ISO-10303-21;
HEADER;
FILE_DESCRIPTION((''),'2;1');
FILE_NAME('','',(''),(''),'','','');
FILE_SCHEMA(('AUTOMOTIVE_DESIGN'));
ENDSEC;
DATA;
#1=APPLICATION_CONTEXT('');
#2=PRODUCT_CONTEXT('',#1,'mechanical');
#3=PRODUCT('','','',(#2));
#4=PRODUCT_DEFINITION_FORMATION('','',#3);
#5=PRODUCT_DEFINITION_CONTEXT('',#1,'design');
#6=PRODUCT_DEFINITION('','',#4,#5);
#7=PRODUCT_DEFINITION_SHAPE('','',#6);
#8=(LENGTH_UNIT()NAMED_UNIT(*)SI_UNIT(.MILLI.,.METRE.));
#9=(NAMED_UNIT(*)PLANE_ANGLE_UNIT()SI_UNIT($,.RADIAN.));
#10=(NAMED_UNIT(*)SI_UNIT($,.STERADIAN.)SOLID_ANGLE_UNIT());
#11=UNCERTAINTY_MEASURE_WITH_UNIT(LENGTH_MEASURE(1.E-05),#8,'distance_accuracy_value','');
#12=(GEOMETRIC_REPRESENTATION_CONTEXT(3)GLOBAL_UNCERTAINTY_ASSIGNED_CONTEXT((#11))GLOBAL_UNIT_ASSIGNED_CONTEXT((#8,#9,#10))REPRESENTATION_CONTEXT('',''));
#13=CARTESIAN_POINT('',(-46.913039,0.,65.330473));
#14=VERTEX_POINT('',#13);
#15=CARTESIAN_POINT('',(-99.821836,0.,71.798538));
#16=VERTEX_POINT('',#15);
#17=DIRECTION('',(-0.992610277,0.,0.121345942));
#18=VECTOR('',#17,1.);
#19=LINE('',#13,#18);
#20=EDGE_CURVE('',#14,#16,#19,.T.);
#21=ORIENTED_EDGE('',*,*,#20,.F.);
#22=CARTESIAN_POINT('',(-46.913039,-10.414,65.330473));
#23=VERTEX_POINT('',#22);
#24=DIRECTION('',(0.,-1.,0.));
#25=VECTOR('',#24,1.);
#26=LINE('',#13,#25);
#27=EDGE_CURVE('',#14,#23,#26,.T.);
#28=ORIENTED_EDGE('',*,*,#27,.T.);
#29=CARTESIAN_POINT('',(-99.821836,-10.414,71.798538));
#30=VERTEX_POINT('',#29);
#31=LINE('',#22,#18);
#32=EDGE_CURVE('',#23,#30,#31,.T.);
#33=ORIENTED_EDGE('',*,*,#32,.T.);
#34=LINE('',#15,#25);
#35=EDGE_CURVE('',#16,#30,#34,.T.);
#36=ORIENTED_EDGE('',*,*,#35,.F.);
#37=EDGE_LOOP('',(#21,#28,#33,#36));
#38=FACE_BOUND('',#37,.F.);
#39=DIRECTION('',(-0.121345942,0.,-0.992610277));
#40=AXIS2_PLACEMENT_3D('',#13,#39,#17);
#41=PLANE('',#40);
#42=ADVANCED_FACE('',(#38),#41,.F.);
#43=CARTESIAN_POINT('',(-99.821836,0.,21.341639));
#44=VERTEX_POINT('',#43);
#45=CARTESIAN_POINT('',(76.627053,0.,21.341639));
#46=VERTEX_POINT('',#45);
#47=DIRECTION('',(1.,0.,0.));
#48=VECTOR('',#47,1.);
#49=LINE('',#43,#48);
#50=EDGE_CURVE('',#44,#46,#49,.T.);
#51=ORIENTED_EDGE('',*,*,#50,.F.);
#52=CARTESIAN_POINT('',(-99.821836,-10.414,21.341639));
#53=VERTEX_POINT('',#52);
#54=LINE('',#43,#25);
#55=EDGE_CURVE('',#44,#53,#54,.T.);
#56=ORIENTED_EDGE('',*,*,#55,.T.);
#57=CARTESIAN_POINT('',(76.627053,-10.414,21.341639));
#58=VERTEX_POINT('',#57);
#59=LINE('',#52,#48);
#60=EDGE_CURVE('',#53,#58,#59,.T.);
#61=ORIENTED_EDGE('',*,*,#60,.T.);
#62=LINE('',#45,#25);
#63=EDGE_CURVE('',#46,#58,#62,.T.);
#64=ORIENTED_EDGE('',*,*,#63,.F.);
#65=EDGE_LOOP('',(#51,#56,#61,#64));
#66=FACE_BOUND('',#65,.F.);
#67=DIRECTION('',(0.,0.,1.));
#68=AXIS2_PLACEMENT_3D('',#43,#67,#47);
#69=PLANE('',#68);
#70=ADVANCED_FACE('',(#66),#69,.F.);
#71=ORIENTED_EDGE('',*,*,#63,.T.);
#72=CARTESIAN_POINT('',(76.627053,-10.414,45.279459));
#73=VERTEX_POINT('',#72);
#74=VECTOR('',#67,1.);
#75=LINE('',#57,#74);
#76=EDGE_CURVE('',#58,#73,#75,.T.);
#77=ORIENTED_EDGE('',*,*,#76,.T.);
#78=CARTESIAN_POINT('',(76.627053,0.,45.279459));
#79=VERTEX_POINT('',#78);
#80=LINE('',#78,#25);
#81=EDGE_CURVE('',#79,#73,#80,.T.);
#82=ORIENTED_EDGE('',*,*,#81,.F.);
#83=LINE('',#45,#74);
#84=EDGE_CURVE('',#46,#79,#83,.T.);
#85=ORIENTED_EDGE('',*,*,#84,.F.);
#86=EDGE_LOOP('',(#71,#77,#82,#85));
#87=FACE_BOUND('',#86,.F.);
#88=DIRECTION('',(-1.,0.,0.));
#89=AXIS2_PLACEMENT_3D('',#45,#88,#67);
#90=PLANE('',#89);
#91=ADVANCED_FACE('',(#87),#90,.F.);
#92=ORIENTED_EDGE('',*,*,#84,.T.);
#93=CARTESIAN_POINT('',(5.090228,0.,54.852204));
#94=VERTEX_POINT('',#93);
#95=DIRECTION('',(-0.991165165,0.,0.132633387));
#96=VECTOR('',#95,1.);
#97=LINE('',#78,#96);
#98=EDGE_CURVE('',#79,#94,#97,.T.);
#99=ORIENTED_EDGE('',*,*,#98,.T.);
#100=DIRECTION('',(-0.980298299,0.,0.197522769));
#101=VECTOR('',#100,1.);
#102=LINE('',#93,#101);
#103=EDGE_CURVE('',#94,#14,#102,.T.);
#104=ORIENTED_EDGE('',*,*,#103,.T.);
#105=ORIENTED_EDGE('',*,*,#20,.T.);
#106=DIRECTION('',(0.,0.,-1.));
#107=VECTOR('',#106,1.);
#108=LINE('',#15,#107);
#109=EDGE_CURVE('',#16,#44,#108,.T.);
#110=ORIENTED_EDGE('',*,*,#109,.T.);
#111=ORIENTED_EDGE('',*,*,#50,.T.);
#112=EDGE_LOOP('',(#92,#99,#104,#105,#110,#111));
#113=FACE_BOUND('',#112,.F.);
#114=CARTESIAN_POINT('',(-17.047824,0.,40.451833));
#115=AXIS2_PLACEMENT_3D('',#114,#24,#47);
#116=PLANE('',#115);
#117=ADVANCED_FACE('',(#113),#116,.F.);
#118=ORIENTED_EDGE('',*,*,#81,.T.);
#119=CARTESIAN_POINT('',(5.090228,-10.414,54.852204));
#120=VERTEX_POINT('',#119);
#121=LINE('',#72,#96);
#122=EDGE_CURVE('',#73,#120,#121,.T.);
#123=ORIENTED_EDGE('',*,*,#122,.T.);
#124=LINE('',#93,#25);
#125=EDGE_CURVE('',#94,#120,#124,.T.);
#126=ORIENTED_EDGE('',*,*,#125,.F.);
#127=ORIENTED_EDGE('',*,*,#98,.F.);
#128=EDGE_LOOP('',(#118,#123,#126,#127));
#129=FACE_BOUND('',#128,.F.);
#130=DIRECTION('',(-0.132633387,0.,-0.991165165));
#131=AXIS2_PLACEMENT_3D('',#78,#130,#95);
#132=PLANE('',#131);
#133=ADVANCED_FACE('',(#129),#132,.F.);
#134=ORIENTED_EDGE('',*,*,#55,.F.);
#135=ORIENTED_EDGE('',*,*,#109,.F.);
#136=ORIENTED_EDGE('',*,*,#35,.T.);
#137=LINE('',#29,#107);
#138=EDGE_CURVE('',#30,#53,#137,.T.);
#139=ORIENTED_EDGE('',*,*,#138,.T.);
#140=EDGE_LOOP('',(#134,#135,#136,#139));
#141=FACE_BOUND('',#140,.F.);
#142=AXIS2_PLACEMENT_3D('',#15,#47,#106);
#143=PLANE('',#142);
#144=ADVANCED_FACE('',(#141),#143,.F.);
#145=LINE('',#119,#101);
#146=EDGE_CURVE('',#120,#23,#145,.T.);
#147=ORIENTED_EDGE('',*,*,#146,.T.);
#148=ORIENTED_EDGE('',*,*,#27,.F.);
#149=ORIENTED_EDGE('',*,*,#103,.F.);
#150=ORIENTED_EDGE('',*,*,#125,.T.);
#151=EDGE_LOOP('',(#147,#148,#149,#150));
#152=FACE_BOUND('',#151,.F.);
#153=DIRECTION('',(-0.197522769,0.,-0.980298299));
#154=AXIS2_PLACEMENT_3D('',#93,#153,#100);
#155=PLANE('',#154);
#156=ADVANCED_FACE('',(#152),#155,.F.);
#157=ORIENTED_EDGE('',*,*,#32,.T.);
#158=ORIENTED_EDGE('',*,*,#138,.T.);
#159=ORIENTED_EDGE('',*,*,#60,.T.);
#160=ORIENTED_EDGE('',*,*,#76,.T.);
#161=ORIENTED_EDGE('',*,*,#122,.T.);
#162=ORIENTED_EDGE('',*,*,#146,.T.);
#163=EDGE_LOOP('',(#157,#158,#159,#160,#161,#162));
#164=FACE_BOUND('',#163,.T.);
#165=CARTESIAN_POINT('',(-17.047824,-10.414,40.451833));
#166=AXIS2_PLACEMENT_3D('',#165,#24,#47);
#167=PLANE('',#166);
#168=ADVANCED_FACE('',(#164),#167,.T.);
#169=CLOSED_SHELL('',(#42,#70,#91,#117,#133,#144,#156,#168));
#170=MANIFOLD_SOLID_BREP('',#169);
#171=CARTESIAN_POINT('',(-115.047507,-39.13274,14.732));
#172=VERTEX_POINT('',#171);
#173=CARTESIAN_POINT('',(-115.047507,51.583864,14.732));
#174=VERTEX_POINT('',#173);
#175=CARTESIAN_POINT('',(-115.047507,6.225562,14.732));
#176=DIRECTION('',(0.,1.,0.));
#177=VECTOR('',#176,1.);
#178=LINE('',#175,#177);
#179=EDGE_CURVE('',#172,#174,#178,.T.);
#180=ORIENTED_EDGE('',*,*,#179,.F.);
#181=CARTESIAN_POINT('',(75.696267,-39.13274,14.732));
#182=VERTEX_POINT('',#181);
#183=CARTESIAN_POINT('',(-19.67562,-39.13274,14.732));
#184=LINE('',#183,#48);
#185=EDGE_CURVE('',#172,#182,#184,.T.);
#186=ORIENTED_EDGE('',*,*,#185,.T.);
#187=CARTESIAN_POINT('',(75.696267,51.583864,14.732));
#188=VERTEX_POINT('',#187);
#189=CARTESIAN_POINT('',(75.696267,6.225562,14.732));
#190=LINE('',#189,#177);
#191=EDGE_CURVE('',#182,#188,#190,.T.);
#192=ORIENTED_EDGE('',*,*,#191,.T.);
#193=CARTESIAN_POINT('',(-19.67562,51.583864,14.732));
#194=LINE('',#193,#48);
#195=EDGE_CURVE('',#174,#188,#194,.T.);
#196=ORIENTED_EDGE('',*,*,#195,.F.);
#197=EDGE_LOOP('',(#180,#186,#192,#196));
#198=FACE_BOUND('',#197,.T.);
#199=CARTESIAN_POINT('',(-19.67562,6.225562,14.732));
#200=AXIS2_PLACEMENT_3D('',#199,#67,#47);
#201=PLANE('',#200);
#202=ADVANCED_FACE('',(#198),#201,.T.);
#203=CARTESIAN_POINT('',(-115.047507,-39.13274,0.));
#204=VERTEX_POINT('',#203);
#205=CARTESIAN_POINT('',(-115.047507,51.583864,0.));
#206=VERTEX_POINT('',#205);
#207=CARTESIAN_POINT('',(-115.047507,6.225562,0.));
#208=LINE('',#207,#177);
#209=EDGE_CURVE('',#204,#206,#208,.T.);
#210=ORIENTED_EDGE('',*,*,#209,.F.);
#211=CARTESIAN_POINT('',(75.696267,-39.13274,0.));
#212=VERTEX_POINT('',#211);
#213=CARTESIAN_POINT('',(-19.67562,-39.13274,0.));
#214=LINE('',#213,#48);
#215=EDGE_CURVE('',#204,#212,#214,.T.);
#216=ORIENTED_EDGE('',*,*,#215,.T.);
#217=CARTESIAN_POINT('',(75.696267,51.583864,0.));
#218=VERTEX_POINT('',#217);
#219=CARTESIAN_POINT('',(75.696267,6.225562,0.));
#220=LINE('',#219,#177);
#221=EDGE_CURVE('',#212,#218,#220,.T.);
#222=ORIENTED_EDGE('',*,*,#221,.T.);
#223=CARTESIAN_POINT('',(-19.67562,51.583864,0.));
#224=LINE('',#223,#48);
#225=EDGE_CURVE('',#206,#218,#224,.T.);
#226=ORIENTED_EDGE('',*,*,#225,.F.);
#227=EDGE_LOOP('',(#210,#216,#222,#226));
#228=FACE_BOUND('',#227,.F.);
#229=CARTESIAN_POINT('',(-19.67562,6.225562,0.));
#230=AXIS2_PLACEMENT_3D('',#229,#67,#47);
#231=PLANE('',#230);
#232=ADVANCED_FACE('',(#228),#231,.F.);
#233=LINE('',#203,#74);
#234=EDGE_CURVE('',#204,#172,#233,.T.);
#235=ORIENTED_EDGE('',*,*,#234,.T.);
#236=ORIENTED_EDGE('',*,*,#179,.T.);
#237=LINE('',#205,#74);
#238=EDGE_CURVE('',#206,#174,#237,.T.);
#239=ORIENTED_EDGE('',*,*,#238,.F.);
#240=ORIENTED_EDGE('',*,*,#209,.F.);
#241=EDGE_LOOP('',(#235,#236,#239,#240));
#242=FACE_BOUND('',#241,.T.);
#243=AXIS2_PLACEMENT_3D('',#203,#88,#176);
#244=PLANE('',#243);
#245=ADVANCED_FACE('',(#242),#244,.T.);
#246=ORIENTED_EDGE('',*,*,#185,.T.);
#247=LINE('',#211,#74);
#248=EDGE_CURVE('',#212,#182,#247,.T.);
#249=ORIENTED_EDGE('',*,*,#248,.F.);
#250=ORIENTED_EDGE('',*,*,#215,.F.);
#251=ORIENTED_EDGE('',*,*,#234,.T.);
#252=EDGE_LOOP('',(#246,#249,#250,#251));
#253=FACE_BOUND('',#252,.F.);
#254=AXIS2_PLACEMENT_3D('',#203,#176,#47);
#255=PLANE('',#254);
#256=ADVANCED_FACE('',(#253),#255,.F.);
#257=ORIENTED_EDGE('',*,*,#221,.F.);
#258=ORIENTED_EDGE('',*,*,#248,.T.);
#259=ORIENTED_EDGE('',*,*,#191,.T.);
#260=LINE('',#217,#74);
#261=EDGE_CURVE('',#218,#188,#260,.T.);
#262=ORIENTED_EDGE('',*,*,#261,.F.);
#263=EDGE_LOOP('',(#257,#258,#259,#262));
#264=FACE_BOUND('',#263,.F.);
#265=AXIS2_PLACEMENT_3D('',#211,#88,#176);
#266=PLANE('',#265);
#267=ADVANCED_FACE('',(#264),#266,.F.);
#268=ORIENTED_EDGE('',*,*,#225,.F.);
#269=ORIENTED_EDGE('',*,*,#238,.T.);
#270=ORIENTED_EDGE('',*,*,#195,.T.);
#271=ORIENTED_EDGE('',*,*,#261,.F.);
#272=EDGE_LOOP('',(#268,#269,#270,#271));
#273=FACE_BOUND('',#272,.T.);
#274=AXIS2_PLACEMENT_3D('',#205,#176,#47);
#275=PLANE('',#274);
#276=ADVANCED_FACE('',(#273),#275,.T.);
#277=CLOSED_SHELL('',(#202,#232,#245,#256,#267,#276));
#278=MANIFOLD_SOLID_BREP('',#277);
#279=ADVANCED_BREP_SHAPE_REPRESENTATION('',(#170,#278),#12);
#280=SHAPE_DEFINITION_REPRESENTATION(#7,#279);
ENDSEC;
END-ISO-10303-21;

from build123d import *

# Parameters (mm, degrees)
F0_W     = 190.743774
F0_H     = 90.716604
F1_DEPTH = 14.732
F3_DEPTH = 10.414


with BuildPart() as f1:
    # F0 (on Top) → F1 (new body)
    with BuildSketch(Plane.XY):
        with Locations((-19.67562, 6.225562)):
            Rectangle(F0_W, F0_H)
    extrude(amount=F1_DEPTH)


with BuildPart() as f3:
    # F2 (on Front) → F3 (new body)
    with BuildSketch(Plane.XZ):
        Polygon((-99.821836, 71.798538), (-99.821836, 21.341639), (76.627053, 21.341639), (76.627053, 45.279459), (5.090228, 54.852204), (-46.913039, 65.330473), align=None)
    extrude(amount=F3_DEPTH)


solid = Compound([f1.part, f3.part])
